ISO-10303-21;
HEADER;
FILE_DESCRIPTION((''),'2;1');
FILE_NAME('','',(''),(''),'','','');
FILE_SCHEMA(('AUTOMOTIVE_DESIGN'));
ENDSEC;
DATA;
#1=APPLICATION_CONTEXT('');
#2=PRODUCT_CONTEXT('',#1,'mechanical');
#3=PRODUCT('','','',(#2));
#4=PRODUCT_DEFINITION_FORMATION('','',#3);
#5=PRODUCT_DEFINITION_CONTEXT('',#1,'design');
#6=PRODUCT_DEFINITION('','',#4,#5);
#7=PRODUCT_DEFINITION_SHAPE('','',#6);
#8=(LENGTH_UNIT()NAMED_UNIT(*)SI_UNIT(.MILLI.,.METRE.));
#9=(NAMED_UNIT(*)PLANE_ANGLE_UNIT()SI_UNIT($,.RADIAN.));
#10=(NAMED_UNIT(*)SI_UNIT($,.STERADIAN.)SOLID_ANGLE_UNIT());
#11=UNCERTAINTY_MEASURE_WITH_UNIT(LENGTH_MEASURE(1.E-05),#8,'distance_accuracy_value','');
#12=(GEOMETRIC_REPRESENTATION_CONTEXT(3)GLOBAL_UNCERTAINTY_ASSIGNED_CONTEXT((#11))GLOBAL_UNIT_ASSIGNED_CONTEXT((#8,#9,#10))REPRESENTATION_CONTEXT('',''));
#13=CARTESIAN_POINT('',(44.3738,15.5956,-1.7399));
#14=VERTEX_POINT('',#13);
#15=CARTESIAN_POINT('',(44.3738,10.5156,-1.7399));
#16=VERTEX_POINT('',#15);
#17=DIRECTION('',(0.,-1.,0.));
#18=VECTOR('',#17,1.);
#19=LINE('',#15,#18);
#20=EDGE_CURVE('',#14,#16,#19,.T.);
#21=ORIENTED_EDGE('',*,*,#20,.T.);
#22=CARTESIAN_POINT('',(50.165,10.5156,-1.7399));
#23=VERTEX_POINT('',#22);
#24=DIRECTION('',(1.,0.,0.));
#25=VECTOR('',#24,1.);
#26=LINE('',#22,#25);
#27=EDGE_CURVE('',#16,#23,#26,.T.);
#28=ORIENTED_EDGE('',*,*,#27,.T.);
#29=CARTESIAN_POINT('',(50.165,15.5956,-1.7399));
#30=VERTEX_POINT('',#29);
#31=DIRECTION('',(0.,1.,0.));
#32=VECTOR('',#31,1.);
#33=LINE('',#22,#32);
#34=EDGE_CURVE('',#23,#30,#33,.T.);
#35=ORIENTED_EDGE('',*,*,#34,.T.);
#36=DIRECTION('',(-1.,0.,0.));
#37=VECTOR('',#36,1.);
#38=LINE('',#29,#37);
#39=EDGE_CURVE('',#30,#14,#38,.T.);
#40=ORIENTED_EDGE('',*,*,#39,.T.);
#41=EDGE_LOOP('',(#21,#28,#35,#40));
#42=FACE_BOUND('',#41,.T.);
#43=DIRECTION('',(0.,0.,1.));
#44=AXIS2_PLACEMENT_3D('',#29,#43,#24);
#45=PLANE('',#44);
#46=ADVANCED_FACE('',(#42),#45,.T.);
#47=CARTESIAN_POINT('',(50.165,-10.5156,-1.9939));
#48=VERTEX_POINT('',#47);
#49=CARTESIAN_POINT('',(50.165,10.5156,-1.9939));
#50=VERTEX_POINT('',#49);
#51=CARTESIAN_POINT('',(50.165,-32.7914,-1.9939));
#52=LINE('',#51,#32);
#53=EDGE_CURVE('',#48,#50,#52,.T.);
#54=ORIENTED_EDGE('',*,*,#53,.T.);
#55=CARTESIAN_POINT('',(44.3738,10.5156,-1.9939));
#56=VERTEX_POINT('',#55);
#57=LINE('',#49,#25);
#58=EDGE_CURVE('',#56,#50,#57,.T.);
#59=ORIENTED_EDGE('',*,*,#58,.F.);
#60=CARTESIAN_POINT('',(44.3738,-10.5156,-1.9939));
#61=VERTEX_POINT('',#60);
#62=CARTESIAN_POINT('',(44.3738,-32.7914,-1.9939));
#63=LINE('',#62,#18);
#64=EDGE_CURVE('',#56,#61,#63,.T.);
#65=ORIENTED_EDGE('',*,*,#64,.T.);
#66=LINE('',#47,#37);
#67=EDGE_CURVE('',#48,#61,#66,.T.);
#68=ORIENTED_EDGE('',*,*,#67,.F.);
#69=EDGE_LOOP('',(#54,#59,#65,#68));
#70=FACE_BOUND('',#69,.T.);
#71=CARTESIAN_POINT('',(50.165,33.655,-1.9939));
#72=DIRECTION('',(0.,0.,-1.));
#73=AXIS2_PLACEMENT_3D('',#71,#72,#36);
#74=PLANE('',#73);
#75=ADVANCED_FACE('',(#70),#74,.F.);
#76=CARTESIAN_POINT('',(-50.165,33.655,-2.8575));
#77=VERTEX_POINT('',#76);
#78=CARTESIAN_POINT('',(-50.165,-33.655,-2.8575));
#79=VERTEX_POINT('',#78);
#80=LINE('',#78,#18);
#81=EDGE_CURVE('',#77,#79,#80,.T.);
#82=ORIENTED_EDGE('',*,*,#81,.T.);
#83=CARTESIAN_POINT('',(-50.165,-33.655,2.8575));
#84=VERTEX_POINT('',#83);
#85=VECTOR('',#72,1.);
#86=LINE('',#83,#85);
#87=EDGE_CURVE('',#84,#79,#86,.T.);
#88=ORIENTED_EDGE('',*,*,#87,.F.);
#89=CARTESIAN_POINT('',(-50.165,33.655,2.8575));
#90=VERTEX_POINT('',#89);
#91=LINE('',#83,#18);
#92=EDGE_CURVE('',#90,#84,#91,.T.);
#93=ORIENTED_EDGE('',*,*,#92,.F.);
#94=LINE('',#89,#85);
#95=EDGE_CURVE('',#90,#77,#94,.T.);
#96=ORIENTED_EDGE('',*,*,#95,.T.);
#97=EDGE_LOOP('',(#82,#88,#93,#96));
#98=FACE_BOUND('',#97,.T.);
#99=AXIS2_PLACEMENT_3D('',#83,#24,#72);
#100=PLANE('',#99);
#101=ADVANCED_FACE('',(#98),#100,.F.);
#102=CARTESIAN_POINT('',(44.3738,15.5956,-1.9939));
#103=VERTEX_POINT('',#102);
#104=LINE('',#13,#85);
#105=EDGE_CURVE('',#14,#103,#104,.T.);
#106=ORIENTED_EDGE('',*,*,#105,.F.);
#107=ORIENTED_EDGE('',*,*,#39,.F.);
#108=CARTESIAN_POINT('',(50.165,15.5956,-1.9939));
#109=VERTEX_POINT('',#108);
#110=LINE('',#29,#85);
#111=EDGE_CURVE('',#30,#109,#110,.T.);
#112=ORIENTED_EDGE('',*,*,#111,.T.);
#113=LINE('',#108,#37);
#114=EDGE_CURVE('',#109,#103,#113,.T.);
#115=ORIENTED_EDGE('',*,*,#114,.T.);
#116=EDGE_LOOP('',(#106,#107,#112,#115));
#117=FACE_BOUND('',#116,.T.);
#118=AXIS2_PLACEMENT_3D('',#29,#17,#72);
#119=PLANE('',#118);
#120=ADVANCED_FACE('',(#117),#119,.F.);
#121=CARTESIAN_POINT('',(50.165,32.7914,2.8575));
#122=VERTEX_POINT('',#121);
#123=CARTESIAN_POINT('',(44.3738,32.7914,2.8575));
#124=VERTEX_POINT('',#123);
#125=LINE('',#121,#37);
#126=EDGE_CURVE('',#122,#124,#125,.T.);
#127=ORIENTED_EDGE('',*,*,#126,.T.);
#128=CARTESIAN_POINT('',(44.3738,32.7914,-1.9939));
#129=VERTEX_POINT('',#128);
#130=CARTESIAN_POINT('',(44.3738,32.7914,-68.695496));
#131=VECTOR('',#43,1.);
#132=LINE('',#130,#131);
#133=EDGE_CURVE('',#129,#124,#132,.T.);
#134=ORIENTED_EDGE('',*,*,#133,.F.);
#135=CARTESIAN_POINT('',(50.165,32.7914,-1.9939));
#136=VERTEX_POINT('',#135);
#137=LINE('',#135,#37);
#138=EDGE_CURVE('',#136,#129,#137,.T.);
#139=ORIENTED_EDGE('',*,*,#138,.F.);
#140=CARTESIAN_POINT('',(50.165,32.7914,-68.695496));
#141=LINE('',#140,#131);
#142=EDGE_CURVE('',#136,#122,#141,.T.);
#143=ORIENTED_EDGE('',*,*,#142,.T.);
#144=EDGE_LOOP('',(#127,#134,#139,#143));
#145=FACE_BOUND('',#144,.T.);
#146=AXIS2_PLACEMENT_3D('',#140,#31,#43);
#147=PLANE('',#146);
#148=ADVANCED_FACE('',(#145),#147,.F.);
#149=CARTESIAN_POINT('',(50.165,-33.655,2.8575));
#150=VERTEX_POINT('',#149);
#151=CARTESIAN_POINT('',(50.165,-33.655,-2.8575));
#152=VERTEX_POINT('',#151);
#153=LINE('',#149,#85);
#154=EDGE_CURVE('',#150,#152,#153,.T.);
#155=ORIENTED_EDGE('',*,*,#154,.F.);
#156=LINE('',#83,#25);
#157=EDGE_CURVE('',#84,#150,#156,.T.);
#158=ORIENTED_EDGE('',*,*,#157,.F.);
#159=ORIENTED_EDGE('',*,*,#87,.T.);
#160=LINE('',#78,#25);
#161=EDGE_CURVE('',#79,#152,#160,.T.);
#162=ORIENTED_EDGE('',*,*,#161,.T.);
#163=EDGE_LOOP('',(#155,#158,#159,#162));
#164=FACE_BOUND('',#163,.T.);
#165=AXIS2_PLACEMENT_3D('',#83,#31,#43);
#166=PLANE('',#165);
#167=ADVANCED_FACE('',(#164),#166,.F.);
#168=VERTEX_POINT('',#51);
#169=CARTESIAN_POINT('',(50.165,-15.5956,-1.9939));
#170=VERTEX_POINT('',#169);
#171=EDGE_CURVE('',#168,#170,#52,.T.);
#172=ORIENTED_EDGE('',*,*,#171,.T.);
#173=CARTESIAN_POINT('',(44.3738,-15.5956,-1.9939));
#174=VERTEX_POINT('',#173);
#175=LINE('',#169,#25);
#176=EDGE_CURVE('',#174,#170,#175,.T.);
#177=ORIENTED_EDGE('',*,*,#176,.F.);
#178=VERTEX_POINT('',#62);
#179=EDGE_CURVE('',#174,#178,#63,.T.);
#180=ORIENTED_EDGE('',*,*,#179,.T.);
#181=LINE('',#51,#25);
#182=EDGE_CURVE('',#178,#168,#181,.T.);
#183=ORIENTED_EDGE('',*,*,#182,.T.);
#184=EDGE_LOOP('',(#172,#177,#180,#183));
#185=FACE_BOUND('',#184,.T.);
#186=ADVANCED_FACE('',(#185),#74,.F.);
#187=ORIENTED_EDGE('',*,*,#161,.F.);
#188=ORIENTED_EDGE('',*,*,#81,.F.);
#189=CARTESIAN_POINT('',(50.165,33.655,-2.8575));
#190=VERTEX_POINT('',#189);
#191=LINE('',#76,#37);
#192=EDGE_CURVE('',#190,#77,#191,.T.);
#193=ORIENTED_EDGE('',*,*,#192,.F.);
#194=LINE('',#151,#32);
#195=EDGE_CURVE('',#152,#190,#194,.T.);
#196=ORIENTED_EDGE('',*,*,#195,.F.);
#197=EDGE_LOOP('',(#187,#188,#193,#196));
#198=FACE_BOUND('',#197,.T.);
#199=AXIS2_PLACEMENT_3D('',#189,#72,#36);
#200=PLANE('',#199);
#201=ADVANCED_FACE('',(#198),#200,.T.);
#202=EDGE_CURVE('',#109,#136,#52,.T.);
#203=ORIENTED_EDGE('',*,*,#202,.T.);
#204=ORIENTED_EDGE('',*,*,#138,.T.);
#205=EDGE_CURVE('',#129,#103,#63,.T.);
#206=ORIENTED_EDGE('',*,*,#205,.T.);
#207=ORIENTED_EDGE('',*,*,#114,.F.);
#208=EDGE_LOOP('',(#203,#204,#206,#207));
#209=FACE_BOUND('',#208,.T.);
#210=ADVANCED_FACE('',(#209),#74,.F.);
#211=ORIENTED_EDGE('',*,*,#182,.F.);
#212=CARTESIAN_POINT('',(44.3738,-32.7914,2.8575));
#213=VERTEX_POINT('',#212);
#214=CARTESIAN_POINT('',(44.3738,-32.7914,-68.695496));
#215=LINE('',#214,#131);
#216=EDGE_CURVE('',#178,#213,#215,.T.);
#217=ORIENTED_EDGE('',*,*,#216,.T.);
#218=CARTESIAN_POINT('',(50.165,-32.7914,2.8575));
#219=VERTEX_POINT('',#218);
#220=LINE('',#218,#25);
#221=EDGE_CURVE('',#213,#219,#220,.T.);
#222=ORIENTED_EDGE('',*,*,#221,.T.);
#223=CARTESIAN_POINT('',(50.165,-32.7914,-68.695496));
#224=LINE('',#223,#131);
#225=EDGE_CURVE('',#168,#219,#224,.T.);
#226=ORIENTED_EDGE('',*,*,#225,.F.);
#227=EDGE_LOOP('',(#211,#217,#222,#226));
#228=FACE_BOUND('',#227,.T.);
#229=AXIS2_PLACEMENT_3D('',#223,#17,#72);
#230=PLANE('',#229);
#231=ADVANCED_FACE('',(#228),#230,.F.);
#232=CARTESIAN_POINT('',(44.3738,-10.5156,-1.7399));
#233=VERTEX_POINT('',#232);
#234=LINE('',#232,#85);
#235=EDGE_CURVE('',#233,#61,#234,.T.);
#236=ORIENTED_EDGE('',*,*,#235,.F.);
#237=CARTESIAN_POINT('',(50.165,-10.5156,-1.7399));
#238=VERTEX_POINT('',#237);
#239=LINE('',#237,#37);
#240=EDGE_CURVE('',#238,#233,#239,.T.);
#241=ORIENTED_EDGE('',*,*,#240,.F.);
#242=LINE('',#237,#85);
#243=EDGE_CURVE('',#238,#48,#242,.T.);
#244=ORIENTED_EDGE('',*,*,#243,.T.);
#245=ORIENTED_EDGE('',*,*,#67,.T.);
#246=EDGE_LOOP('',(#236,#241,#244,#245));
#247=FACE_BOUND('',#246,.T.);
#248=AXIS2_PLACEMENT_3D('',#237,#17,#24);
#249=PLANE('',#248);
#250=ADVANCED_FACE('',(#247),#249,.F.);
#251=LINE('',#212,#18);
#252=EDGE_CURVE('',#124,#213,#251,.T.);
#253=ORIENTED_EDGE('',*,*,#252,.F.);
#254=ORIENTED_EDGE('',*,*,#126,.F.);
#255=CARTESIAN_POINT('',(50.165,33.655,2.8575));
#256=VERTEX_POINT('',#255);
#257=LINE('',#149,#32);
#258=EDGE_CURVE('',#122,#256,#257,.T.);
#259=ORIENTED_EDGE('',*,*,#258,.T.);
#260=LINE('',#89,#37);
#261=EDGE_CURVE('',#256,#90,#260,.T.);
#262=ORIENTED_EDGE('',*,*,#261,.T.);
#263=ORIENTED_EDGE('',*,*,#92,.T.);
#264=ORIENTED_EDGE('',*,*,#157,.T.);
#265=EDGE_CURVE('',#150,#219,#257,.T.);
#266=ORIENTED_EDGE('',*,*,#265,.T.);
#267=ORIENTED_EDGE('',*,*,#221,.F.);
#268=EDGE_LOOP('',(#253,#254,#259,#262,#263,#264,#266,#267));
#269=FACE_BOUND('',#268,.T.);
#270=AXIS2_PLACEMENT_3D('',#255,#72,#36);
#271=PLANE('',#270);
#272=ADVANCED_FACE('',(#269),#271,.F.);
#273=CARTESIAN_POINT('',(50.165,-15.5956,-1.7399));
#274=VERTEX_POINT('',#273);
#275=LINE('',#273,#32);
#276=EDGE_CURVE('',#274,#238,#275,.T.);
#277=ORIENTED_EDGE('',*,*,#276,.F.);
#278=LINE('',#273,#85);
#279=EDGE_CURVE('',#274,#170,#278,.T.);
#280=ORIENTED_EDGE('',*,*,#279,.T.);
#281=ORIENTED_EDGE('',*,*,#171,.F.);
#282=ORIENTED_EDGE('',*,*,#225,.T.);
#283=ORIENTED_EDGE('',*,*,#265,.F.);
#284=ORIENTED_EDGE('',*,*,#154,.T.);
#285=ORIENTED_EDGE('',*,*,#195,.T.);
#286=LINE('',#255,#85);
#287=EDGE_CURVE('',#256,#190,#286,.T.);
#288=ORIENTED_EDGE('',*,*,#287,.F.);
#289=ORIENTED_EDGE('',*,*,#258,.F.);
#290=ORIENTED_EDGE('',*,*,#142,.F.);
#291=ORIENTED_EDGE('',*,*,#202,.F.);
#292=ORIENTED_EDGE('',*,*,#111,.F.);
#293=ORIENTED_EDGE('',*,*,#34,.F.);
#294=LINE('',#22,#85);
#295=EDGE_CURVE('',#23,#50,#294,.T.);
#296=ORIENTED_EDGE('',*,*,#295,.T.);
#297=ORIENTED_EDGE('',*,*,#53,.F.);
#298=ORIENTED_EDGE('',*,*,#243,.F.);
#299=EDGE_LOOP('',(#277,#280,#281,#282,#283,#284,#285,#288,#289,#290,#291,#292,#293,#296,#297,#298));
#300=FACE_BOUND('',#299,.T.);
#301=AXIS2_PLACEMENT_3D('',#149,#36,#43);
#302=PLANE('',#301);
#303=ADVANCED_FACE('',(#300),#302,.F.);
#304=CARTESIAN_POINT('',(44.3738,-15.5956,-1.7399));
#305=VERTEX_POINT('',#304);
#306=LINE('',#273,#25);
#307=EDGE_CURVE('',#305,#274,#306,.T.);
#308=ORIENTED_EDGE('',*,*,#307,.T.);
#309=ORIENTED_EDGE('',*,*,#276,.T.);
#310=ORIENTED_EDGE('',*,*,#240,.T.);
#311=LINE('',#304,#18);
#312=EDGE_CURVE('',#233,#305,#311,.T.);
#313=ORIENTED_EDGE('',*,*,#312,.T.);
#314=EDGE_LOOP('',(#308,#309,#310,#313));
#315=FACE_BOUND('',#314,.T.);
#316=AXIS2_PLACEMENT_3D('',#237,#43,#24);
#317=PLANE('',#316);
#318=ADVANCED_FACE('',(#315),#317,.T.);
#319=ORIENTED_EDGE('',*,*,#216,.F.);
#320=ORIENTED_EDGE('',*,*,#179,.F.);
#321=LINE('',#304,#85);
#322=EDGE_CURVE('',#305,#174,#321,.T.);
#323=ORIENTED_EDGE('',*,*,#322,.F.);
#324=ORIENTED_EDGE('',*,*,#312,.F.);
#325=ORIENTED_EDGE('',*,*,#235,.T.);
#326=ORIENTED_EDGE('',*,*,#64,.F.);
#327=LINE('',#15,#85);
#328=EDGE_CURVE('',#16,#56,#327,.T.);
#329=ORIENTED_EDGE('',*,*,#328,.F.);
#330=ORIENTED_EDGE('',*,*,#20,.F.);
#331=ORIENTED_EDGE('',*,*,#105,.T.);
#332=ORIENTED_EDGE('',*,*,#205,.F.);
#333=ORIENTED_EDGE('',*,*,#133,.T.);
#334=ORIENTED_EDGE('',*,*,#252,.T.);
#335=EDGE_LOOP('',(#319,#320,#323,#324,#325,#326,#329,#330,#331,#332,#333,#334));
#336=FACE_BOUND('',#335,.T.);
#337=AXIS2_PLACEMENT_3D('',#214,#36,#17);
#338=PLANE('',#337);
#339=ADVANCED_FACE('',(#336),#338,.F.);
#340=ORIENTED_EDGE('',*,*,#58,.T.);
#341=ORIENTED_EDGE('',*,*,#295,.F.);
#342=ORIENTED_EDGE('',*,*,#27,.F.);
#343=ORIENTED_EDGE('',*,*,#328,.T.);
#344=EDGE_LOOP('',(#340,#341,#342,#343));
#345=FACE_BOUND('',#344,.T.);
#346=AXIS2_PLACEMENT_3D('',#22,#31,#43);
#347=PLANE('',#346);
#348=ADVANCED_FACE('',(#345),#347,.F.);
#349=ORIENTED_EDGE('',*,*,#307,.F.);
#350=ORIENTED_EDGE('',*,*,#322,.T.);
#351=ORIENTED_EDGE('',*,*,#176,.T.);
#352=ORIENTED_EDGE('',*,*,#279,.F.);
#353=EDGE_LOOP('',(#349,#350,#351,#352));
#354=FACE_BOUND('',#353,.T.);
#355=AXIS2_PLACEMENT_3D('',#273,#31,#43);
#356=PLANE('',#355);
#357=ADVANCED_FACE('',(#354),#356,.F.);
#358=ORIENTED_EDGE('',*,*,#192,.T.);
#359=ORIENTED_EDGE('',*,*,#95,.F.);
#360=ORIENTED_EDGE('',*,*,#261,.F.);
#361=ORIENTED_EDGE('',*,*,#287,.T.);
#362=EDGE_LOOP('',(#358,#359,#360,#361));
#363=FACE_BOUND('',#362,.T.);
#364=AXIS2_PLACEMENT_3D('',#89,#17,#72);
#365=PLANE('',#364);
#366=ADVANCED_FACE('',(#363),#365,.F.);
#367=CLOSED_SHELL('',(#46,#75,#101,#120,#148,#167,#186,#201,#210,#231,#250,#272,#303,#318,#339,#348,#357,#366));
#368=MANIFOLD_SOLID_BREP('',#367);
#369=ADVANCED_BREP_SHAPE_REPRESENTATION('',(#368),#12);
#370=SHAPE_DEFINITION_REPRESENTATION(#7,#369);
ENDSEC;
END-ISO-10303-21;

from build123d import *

# Parameters (mm, degrees)
SKETCH1_W           = 100.33
SKETCH1_H           = 67.31
BOSS_EXTRUDE1_DEPTH = 2.8575
SKETCH2_W           = 5.7912
SKETCH2_H           = 65.5828
CUT_EXTRUDE1_DEPTH  = 4.8514
SKETCH3_W           = 5.7912
SKETCH3_H           = 5.08
BOSS_EXTRUDE2_DEPTH = 0.254


with BuildPart() as part:
    # Sketch1 → Boss-Extrude1 (new, symmetric)
    with BuildSketch(Plane.XY):
        Rectangle(SKETCH1_W, SKETCH1_H)
    extrude(amount=BOSS_EXTRUDE1_DEPTH, both=True)

    # Sketch2 → Cut-Extrude1 (cut)
    with BuildSketch(Plane.XY.offset(2.8575)):
        with Locations((47.2694, 0)):
            Rectangle(SKETCH2_W, SKETCH2_H)
    extrude(amount=-CUT_EXTRUDE1_DEPTH, mode=Mode.SUBTRACT)

    # Sketch3 → Boss-Extrude2 (add)
    with BuildSketch(Plane.XY.offset(-1.9939)):
        with Locations((47.2694, -13.0556)):
            Rectangle(SKETCH3_W, SKETCH3_H)
        with Locations((47.2694, 13.0556)):
            Rectangle(SKETCH3_W, SKETCH3_H)
    extrude(amount=BOSS_EXTRUDE2_DEPTH)


solid = part.part
